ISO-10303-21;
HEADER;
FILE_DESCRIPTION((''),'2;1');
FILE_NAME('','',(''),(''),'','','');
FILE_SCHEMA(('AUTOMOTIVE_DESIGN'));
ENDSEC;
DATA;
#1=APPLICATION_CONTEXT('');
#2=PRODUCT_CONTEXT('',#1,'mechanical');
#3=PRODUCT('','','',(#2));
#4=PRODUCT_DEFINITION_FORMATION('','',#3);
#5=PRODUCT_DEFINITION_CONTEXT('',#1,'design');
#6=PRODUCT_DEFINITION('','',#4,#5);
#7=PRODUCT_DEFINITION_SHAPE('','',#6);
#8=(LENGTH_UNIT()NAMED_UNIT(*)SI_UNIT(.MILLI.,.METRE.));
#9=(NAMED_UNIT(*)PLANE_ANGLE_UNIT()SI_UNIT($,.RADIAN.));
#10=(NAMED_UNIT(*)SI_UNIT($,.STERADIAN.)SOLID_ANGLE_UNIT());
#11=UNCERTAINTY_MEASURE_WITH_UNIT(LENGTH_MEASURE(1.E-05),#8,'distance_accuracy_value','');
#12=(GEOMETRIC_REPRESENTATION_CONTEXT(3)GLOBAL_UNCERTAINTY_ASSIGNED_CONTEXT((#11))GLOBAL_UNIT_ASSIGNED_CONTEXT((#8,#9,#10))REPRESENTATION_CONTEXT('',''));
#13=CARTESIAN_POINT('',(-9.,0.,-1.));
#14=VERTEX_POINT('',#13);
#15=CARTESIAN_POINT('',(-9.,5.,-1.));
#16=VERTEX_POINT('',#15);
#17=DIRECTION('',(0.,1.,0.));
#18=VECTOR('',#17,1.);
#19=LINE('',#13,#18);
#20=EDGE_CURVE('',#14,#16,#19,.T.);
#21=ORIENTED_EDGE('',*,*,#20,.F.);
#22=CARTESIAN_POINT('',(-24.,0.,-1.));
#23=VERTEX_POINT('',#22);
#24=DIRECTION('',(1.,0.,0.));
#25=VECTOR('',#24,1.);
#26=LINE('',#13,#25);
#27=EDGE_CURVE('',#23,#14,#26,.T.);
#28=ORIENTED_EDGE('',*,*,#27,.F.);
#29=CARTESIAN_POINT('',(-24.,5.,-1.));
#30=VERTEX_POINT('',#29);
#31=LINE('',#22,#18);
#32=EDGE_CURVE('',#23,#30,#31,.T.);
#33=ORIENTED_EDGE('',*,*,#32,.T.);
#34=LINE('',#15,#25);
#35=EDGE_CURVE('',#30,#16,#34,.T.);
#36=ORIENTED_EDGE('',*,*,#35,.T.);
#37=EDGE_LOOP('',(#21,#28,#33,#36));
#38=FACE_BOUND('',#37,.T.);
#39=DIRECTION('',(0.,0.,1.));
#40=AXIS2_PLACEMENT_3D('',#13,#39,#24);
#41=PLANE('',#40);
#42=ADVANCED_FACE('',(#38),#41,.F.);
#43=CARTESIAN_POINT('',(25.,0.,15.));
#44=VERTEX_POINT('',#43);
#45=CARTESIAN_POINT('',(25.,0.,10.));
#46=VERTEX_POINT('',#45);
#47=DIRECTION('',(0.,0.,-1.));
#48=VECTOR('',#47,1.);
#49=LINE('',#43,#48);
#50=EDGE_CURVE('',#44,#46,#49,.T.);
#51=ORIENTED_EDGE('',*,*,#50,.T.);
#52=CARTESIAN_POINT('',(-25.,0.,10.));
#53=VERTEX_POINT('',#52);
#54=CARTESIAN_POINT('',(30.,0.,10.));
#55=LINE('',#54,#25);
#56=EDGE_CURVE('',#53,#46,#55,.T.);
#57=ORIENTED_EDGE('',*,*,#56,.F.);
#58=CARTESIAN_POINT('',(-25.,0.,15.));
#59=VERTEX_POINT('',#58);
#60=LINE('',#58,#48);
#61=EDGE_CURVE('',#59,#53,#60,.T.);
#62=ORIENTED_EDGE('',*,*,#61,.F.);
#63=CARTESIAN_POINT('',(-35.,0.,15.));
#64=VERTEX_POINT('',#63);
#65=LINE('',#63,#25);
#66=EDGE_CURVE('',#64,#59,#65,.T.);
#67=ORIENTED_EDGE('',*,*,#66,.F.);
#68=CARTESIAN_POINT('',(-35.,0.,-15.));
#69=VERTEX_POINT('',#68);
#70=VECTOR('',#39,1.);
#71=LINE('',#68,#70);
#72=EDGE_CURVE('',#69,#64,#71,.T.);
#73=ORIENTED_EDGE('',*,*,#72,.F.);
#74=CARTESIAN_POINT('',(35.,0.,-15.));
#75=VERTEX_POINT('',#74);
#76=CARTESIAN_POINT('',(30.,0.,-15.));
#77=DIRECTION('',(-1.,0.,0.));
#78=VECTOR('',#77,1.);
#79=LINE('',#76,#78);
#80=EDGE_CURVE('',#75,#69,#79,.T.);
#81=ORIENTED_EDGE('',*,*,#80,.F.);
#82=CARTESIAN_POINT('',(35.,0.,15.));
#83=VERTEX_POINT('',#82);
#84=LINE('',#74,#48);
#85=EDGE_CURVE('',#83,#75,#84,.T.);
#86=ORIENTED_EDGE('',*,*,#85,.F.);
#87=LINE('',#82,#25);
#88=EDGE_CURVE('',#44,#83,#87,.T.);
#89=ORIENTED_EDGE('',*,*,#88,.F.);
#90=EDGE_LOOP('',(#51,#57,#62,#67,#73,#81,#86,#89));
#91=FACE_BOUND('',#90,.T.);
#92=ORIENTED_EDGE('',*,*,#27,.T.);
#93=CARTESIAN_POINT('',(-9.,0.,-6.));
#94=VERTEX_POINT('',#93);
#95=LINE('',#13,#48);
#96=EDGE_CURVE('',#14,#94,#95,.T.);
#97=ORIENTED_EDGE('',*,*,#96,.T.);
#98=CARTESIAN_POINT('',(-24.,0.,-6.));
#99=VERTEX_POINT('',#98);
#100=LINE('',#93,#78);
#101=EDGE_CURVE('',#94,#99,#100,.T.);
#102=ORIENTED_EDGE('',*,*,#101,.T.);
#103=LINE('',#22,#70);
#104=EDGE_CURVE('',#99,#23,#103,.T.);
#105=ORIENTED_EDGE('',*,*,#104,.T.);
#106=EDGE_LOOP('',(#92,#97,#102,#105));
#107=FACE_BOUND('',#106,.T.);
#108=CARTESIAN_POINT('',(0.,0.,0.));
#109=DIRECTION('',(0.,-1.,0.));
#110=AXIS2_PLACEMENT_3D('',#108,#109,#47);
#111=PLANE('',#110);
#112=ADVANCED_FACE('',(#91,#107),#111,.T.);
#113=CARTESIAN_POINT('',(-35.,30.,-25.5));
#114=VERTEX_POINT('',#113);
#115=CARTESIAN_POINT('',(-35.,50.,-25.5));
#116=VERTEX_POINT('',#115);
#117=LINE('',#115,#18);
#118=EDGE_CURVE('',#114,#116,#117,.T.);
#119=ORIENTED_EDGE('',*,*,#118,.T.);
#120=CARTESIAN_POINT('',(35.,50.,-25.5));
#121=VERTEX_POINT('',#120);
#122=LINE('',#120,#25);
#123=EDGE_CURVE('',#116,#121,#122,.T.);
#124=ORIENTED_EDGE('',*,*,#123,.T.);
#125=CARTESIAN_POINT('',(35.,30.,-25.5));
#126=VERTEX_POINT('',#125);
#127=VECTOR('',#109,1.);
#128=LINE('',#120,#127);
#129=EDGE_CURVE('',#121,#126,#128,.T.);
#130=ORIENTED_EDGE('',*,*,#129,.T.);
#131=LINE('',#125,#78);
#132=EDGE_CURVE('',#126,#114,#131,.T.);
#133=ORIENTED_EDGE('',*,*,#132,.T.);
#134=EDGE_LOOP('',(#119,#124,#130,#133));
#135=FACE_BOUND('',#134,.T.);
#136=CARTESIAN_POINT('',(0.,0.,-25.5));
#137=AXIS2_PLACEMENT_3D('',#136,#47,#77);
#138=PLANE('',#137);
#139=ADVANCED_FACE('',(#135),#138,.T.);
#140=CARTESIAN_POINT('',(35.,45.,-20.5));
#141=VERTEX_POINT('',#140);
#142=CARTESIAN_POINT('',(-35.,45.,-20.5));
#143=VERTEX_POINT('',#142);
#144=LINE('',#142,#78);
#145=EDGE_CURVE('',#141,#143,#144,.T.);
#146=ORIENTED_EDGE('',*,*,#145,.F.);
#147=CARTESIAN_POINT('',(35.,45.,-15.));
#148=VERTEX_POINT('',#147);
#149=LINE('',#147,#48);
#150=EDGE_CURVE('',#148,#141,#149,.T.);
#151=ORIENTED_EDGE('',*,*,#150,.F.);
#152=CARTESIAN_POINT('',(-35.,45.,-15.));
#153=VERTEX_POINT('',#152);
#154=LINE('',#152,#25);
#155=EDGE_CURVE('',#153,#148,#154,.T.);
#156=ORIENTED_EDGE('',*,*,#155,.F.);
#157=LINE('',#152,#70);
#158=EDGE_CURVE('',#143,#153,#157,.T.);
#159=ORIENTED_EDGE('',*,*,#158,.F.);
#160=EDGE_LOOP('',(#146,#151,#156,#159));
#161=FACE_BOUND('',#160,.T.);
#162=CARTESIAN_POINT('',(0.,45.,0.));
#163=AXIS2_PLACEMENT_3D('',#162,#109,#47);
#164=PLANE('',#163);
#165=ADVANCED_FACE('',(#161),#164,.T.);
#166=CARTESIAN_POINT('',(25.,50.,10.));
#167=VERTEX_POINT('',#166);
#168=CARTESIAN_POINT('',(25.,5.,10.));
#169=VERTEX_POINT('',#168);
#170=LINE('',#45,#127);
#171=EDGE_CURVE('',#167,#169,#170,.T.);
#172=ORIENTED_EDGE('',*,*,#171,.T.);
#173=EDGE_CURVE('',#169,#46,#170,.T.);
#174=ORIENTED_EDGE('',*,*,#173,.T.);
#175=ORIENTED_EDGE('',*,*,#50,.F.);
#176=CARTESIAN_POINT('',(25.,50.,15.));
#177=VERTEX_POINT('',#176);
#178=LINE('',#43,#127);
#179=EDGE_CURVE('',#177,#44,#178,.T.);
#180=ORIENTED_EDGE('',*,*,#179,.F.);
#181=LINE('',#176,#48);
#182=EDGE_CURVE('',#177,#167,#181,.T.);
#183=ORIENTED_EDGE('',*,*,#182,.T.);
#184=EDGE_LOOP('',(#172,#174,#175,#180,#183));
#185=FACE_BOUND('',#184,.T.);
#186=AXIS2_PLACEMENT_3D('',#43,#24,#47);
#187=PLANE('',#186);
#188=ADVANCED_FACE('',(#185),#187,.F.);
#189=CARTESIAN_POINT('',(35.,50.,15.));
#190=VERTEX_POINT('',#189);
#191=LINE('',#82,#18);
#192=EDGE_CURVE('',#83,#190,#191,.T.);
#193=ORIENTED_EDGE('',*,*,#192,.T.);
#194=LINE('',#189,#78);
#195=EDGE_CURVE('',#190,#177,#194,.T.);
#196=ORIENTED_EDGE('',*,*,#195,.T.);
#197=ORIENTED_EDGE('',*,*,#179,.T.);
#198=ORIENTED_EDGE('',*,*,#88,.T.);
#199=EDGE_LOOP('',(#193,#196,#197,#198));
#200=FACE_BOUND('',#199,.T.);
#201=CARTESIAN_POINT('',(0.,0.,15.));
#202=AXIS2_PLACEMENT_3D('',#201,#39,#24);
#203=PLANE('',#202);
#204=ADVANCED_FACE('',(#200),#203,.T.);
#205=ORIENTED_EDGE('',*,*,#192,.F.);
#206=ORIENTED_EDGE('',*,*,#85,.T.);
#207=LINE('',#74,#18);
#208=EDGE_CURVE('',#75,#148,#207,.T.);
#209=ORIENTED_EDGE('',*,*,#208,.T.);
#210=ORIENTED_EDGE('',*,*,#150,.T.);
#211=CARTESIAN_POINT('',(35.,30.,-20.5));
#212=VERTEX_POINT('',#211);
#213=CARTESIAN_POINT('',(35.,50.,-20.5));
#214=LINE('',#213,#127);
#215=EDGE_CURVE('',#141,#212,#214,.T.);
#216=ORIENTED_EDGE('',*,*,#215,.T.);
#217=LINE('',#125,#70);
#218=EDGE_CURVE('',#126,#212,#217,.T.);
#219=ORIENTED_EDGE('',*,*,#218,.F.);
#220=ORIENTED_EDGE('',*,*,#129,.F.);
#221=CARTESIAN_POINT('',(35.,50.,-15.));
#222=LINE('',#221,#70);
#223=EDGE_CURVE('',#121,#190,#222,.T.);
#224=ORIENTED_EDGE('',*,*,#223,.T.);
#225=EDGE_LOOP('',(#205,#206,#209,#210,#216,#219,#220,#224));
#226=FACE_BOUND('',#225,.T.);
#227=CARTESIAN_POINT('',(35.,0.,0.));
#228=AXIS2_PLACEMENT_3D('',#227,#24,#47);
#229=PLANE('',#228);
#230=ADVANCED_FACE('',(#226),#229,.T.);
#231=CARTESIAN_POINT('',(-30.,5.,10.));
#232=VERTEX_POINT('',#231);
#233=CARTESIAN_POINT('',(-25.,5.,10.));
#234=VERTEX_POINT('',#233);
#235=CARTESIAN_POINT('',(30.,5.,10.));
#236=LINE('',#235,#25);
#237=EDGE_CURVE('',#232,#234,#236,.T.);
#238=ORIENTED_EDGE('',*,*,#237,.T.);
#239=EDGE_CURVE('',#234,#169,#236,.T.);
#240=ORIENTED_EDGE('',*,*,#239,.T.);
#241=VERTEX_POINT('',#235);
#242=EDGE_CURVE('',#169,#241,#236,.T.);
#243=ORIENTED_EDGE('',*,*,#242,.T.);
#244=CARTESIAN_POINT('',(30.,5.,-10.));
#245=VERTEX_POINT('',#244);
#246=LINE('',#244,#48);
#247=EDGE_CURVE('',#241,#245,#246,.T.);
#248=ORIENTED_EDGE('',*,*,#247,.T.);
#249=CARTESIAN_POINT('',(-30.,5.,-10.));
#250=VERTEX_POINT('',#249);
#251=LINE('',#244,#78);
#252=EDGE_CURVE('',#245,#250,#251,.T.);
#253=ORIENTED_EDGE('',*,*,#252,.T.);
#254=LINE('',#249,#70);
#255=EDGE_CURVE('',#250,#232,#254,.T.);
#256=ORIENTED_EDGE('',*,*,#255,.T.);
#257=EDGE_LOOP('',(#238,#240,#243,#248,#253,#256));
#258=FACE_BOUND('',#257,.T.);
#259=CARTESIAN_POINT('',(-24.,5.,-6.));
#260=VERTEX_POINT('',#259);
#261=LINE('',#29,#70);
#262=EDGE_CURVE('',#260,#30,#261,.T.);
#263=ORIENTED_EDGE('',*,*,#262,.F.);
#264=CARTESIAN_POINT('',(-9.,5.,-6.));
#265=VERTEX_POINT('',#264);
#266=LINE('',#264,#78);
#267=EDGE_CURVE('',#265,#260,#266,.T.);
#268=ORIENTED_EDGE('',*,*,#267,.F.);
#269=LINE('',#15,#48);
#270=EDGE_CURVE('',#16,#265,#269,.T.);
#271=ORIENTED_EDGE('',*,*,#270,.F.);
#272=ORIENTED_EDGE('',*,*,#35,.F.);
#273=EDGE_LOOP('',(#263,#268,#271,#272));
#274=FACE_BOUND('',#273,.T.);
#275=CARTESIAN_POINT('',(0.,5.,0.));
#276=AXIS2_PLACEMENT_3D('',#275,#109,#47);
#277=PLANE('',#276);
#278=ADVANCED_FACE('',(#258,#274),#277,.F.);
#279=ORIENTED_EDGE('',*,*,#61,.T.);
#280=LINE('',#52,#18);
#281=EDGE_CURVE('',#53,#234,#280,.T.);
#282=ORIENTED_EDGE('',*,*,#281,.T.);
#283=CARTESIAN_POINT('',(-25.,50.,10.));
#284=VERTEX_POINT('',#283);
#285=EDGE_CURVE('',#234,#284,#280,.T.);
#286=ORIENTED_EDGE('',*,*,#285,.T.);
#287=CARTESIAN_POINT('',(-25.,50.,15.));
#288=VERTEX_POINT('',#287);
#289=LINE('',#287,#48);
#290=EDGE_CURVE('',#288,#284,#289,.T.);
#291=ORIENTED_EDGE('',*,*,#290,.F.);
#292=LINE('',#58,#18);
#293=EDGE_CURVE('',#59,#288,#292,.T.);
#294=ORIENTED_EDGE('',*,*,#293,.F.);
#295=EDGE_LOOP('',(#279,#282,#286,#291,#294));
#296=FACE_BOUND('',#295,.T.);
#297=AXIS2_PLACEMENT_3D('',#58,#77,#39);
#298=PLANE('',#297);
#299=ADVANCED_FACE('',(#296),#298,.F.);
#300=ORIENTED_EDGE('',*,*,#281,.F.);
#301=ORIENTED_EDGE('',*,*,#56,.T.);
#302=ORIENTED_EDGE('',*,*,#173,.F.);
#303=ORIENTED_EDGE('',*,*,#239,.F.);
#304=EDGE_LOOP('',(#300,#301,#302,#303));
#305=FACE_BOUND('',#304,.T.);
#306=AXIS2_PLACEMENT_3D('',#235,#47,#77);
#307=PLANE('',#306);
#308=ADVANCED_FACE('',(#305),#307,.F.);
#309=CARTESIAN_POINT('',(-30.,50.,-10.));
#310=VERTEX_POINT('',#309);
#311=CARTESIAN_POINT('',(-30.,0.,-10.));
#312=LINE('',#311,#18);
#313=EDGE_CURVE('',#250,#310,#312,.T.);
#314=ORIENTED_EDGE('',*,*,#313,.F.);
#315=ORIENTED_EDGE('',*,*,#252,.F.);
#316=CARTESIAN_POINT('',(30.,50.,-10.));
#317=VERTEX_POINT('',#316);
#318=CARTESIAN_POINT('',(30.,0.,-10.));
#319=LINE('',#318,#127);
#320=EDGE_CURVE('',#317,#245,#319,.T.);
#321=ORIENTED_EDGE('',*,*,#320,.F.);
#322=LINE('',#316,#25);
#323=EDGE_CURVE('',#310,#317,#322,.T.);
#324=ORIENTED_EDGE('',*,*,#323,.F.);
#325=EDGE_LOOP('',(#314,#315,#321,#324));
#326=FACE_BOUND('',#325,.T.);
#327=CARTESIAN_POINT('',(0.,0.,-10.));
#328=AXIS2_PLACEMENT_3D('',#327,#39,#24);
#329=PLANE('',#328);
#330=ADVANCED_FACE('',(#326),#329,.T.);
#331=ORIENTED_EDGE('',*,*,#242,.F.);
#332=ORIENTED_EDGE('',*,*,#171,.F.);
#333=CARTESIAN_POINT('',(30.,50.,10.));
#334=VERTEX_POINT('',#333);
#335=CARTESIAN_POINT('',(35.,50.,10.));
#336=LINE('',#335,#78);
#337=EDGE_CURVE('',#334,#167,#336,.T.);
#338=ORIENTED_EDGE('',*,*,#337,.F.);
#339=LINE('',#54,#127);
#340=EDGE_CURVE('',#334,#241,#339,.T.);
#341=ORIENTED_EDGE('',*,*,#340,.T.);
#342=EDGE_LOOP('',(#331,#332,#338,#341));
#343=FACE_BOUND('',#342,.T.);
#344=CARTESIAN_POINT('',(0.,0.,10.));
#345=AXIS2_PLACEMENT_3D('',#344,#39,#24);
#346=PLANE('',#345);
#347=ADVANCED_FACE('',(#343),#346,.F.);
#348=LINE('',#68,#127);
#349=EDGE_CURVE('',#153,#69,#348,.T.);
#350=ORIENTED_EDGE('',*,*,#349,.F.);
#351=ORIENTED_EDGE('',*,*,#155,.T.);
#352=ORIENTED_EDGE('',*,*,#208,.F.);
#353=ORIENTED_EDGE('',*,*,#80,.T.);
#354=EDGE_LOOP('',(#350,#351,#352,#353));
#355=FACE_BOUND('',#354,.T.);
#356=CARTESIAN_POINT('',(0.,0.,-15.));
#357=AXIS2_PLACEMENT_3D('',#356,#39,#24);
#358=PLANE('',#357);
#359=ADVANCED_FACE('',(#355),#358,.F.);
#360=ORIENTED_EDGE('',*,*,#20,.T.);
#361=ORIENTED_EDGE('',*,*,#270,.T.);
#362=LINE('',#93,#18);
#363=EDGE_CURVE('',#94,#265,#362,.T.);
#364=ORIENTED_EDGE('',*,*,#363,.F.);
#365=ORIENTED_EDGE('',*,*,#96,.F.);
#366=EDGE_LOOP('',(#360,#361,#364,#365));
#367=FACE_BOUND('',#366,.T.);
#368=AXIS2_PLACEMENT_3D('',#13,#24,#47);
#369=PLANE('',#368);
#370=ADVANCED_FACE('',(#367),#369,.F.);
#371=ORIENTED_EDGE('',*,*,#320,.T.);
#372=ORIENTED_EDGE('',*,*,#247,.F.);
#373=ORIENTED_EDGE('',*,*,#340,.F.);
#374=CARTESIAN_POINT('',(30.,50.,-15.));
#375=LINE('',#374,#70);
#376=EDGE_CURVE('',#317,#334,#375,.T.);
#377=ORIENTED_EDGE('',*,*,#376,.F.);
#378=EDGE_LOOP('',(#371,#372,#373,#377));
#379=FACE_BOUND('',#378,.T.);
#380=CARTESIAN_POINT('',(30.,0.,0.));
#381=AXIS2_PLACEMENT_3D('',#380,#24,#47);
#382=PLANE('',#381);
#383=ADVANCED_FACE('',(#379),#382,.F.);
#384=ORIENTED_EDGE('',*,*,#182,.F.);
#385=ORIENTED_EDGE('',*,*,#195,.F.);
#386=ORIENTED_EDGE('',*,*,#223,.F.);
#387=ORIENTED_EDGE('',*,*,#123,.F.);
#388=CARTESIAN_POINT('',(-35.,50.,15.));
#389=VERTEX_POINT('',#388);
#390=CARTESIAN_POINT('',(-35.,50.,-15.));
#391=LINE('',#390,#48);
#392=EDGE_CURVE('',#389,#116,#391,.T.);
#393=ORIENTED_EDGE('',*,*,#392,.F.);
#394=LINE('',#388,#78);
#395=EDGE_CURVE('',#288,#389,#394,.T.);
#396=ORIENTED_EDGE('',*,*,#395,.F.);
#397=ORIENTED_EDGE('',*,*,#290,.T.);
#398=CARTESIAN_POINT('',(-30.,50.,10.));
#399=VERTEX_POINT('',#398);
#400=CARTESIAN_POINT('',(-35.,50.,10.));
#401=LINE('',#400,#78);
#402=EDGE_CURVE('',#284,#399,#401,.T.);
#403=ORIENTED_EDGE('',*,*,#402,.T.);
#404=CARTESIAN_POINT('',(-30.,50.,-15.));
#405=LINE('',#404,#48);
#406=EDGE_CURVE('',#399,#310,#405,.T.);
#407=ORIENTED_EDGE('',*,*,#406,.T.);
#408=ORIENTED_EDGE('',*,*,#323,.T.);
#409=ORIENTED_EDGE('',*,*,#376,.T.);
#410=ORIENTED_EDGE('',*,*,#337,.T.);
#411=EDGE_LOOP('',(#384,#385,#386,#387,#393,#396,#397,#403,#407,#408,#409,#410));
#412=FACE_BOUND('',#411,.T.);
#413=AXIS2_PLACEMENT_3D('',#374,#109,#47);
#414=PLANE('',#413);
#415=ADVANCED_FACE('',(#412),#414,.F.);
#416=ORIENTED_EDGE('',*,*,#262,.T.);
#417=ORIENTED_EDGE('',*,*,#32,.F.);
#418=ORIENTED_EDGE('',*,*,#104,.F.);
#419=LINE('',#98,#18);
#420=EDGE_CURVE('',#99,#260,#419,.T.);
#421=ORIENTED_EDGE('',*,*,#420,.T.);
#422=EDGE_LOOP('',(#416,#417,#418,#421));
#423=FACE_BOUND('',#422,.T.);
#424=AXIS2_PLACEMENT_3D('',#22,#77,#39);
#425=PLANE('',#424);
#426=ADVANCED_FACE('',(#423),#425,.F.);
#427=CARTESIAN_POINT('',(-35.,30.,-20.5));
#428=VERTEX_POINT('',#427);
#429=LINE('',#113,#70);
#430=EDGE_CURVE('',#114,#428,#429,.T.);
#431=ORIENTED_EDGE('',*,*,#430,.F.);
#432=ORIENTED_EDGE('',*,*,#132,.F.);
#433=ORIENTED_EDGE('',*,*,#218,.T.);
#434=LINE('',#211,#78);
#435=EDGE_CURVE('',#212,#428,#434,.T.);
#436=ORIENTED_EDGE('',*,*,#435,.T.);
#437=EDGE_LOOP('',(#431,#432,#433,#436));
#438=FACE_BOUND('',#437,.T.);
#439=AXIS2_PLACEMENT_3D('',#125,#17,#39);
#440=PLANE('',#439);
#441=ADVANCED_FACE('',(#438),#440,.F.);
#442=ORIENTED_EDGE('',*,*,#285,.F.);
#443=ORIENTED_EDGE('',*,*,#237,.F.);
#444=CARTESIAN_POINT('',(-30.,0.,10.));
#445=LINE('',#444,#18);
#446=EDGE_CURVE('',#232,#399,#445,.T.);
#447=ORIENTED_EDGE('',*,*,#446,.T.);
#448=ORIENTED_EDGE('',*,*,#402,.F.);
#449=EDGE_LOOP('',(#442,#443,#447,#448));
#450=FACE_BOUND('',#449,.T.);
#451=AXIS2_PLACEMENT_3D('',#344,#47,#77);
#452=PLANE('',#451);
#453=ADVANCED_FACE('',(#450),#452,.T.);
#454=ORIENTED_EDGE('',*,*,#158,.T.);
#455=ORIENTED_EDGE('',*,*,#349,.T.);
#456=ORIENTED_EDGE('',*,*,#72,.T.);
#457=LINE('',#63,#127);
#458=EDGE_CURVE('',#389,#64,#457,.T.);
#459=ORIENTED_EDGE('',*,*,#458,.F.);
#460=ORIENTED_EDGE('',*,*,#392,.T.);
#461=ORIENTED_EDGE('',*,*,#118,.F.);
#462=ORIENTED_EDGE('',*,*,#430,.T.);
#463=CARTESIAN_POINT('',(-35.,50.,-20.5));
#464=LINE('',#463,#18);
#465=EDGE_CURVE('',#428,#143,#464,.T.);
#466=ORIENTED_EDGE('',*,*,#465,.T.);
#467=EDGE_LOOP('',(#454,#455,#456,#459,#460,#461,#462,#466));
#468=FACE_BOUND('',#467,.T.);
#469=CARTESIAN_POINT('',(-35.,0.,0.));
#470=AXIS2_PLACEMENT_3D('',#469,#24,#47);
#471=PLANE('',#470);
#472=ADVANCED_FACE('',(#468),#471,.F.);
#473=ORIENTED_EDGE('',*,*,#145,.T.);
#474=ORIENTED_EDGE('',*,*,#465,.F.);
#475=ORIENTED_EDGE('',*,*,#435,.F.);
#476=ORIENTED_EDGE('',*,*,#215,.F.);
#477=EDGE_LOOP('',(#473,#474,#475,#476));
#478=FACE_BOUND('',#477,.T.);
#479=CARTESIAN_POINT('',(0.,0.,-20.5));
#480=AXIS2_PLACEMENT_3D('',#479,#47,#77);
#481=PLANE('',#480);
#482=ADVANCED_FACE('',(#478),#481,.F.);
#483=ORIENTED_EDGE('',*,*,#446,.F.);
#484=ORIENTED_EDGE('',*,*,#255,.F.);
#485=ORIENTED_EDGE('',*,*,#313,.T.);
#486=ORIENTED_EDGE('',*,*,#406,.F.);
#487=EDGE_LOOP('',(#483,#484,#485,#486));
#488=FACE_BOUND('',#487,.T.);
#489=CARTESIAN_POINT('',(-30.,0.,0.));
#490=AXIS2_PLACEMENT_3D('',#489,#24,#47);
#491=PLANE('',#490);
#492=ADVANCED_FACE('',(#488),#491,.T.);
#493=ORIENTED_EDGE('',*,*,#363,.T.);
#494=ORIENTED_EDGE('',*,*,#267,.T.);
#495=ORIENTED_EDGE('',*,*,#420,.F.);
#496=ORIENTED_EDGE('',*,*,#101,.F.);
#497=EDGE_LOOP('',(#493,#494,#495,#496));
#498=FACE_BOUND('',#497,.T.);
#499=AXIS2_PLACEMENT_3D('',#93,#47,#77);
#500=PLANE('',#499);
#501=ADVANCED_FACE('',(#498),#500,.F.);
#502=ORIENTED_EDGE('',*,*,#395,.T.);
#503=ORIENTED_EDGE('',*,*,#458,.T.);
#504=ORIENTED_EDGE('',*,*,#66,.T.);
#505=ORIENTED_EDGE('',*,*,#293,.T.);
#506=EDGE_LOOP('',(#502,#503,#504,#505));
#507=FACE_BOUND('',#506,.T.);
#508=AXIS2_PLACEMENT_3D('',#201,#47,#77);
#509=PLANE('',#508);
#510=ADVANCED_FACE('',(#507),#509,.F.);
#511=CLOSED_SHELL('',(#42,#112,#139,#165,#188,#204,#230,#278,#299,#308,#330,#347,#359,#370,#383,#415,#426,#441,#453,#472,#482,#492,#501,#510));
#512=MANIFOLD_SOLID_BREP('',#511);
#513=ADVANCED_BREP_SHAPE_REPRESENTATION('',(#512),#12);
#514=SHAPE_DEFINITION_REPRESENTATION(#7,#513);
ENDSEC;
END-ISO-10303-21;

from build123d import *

# Parameters (mm, degrees)
SKETCH1_W           = 60
SKETCH1_H           = 20
BOSS_EXTRUDE1_DEPTH = 5
SKETCH2_W           = 15
SKETCH2_H           = 5
CUT_EXTRUDE1_DEPTH  = 5
SKETCH3_W           = 60
SKETCH3_H           = 50
BOSS_EXTRUDE2_DEPTH = 5
SKETCH4_W           = 25
SKETCH4_H           = 50
BOSS_EXTRUDE3_DEPTH = 5
SKETCH5_W           = 25
SKETCH5_H           = 50
BOSS_EXTRUDE4_DEPTH = 5
SKETCH7_W           = 10
SKETCH7_H           = 50
BOSS_EXTRUDE5_DEPTH = 5
SKETCH8_W           = 10
SKETCH8_H           = 50
BOSS_EXTRUDE6_DEPTH = 5
SKETCH9_W           = 70
SKETCH9_H           = 5.5
BOSS_EXTRUDE8_DEPTH = 5
SKETCH11_W          = 70
SKETCH11_H          = 20
BOSS_EXTRUDE9_DEPTH = 5


with BuildPart() as part:
    # Sketch1 → Boss-Extrude1 (new body)
    with BuildSketch(Plane(origin=(0, 0, 0), x_dir=(1, 0, 0), z_dir=(0, 1, 0))):
        Rectangle(SKETCH1_W, SKETCH1_H)
    extrude(amount=BOSS_EXTRUDE1_DEPTH)

    # Sketch2 → Cut-Extrude1 (cut)
    with BuildSketch(Plane(origin=(0, 5, 0), x_dir=(1, 0, 0), z_dir=(0, 1, 0))):
        with Locations((-16.5, 3.5)):
            Rectangle(SKETCH2_W, SKETCH2_H)
    extrude(amount=-CUT_EXTRUDE1_DEPTH, mode=Mode.SUBTRACT)

    # Sketch3 → Boss-Extrude2 (add)
    with BuildSketch(Plane(origin=(0, 0, -10), x_dir=(-1, 0, 0), z_dir=(0, 0, -1))):
        with Locations((0, 25)):
            Rectangle(SKETCH3_W, SKETCH3_H)
    extrude(amount=BOSS_EXTRUDE2_DEPTH)

    # Sketch4 → Boss-Extrude3 (add)
    with BuildSketch(Plane(origin=(30, 0, 0), x_dir=(0, 0, -1), z_dir=(1, 0, 0))):
        with Locations((2.5, 25)):
            Rectangle(SKETCH4_W, SKETCH4_H)
    extrude(amount=BOSS_EXTRUDE3_DEPTH)

    # Sketch5 → Boss-Extrude4 (add)
    with BuildSketch(Plane.ZY.offset(30)):
        with Locations((-2.5, 25)):
            Rectangle(SKETCH5_W, SKETCH5_H)
    extrude(amount=BOSS_EXTRUDE4_DEPTH)

    # Sketch7 → Boss-Extrude5 (add)
    with BuildSketch(Plane.XY.offset(10)):
        with Locations((30, 25)):
            Rectangle(SKETCH7_W, SKETCH7_H)
    extrude(amount=BOSS_EXTRUDE5_DEPTH)

    # Sketch8 → Boss-Extrude6 (add)
    with BuildSketch(Plane.XY.offset(10)):
        with Locations((-30, 25)):
            Rectangle(SKETCH8_W, SKETCH8_H)
    extrude(amount=BOSS_EXTRUDE6_DEPTH)

    # Sketch9 → Boss-Extrude8 (add)
    with BuildSketch(Plane(origin=(0, 50, 0), x_dir=(1, 0, 0), z_dir=(0, 1, 0))):
        with Locations((0, 17.75)):
            Rectangle(SKETCH9_W, SKETCH9_H)
    extrude(amount=-BOSS_EXTRUDE8_DEPTH)

    # Sketch11 → Boss-Extrude9 (add)
    with BuildSketch(Plane(origin=(0, 0, -20.5), x_dir=(-1, 0, 0), z_dir=(0, 0, -1))):
        with Locations((0, 40)):
            Rectangle(SKETCH11_W, SKETCH11_H)
    extrude(amount=BOSS_EXTRUDE9_DEPTH)


solid = part.part
